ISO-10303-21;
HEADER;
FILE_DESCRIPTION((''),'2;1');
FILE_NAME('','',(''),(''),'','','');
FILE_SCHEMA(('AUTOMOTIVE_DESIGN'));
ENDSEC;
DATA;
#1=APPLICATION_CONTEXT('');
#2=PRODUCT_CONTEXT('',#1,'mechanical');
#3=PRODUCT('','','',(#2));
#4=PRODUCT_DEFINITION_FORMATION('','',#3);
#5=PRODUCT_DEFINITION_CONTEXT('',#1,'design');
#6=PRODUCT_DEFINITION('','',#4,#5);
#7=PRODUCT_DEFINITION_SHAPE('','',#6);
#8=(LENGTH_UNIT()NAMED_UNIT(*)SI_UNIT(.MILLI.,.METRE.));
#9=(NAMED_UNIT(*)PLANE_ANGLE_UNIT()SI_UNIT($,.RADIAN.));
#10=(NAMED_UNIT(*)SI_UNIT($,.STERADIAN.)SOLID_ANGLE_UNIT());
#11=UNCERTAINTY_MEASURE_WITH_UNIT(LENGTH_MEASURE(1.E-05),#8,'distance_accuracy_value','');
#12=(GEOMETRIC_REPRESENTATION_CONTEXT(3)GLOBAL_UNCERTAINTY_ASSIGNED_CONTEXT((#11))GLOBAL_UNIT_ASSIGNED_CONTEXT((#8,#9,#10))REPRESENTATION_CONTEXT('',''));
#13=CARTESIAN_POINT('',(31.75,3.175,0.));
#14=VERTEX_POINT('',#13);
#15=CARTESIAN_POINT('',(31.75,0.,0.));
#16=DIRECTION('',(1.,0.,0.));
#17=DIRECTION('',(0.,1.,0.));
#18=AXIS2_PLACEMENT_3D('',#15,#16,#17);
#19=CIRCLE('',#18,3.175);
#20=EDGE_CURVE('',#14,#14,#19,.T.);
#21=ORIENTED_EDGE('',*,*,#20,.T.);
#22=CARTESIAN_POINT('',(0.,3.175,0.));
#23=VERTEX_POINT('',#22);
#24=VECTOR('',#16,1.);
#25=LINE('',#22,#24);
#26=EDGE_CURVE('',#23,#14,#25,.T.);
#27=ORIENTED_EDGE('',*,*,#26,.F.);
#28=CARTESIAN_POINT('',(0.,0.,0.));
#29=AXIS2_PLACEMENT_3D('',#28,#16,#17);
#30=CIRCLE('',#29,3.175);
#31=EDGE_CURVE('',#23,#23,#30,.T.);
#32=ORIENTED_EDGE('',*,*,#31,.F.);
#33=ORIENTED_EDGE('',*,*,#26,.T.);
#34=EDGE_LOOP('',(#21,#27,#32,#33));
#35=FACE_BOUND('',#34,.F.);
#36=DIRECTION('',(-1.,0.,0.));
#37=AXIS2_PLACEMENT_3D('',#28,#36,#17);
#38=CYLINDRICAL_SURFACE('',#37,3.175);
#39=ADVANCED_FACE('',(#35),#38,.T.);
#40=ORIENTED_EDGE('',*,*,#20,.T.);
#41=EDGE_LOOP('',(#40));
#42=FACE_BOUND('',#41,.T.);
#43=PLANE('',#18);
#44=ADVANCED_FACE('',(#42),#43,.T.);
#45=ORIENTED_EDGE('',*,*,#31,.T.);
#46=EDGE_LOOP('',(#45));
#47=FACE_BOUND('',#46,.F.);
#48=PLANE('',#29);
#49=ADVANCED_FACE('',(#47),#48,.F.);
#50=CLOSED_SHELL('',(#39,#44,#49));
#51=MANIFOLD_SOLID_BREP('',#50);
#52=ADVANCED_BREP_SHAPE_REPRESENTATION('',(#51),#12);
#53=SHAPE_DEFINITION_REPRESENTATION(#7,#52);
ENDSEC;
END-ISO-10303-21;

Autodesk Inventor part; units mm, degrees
ref_plane "YZ Plane" through (0, 0, 0) normal (1, 0, 0) x (0, 1, 0)
ref_plane "XZ Plane" through (0, 0, 0) normal (0, 1, 0) x (-1, 0, 0)
ref_plane "XY Plane" through (0, 0, 0) normal (0, 0, 1) x (1, 0, 0)
sketch "Sketch1" plane through (0, 0, 0) normal (1, 0, 0) x (0, 1, 0)
  circle A0 centre (0, 0) radius 3.175
  dimension "d0" = 6.35
extrude "Extrusion1" add sketch "Sketch1" along normal blind 31.75
properties part number "Bolt"
